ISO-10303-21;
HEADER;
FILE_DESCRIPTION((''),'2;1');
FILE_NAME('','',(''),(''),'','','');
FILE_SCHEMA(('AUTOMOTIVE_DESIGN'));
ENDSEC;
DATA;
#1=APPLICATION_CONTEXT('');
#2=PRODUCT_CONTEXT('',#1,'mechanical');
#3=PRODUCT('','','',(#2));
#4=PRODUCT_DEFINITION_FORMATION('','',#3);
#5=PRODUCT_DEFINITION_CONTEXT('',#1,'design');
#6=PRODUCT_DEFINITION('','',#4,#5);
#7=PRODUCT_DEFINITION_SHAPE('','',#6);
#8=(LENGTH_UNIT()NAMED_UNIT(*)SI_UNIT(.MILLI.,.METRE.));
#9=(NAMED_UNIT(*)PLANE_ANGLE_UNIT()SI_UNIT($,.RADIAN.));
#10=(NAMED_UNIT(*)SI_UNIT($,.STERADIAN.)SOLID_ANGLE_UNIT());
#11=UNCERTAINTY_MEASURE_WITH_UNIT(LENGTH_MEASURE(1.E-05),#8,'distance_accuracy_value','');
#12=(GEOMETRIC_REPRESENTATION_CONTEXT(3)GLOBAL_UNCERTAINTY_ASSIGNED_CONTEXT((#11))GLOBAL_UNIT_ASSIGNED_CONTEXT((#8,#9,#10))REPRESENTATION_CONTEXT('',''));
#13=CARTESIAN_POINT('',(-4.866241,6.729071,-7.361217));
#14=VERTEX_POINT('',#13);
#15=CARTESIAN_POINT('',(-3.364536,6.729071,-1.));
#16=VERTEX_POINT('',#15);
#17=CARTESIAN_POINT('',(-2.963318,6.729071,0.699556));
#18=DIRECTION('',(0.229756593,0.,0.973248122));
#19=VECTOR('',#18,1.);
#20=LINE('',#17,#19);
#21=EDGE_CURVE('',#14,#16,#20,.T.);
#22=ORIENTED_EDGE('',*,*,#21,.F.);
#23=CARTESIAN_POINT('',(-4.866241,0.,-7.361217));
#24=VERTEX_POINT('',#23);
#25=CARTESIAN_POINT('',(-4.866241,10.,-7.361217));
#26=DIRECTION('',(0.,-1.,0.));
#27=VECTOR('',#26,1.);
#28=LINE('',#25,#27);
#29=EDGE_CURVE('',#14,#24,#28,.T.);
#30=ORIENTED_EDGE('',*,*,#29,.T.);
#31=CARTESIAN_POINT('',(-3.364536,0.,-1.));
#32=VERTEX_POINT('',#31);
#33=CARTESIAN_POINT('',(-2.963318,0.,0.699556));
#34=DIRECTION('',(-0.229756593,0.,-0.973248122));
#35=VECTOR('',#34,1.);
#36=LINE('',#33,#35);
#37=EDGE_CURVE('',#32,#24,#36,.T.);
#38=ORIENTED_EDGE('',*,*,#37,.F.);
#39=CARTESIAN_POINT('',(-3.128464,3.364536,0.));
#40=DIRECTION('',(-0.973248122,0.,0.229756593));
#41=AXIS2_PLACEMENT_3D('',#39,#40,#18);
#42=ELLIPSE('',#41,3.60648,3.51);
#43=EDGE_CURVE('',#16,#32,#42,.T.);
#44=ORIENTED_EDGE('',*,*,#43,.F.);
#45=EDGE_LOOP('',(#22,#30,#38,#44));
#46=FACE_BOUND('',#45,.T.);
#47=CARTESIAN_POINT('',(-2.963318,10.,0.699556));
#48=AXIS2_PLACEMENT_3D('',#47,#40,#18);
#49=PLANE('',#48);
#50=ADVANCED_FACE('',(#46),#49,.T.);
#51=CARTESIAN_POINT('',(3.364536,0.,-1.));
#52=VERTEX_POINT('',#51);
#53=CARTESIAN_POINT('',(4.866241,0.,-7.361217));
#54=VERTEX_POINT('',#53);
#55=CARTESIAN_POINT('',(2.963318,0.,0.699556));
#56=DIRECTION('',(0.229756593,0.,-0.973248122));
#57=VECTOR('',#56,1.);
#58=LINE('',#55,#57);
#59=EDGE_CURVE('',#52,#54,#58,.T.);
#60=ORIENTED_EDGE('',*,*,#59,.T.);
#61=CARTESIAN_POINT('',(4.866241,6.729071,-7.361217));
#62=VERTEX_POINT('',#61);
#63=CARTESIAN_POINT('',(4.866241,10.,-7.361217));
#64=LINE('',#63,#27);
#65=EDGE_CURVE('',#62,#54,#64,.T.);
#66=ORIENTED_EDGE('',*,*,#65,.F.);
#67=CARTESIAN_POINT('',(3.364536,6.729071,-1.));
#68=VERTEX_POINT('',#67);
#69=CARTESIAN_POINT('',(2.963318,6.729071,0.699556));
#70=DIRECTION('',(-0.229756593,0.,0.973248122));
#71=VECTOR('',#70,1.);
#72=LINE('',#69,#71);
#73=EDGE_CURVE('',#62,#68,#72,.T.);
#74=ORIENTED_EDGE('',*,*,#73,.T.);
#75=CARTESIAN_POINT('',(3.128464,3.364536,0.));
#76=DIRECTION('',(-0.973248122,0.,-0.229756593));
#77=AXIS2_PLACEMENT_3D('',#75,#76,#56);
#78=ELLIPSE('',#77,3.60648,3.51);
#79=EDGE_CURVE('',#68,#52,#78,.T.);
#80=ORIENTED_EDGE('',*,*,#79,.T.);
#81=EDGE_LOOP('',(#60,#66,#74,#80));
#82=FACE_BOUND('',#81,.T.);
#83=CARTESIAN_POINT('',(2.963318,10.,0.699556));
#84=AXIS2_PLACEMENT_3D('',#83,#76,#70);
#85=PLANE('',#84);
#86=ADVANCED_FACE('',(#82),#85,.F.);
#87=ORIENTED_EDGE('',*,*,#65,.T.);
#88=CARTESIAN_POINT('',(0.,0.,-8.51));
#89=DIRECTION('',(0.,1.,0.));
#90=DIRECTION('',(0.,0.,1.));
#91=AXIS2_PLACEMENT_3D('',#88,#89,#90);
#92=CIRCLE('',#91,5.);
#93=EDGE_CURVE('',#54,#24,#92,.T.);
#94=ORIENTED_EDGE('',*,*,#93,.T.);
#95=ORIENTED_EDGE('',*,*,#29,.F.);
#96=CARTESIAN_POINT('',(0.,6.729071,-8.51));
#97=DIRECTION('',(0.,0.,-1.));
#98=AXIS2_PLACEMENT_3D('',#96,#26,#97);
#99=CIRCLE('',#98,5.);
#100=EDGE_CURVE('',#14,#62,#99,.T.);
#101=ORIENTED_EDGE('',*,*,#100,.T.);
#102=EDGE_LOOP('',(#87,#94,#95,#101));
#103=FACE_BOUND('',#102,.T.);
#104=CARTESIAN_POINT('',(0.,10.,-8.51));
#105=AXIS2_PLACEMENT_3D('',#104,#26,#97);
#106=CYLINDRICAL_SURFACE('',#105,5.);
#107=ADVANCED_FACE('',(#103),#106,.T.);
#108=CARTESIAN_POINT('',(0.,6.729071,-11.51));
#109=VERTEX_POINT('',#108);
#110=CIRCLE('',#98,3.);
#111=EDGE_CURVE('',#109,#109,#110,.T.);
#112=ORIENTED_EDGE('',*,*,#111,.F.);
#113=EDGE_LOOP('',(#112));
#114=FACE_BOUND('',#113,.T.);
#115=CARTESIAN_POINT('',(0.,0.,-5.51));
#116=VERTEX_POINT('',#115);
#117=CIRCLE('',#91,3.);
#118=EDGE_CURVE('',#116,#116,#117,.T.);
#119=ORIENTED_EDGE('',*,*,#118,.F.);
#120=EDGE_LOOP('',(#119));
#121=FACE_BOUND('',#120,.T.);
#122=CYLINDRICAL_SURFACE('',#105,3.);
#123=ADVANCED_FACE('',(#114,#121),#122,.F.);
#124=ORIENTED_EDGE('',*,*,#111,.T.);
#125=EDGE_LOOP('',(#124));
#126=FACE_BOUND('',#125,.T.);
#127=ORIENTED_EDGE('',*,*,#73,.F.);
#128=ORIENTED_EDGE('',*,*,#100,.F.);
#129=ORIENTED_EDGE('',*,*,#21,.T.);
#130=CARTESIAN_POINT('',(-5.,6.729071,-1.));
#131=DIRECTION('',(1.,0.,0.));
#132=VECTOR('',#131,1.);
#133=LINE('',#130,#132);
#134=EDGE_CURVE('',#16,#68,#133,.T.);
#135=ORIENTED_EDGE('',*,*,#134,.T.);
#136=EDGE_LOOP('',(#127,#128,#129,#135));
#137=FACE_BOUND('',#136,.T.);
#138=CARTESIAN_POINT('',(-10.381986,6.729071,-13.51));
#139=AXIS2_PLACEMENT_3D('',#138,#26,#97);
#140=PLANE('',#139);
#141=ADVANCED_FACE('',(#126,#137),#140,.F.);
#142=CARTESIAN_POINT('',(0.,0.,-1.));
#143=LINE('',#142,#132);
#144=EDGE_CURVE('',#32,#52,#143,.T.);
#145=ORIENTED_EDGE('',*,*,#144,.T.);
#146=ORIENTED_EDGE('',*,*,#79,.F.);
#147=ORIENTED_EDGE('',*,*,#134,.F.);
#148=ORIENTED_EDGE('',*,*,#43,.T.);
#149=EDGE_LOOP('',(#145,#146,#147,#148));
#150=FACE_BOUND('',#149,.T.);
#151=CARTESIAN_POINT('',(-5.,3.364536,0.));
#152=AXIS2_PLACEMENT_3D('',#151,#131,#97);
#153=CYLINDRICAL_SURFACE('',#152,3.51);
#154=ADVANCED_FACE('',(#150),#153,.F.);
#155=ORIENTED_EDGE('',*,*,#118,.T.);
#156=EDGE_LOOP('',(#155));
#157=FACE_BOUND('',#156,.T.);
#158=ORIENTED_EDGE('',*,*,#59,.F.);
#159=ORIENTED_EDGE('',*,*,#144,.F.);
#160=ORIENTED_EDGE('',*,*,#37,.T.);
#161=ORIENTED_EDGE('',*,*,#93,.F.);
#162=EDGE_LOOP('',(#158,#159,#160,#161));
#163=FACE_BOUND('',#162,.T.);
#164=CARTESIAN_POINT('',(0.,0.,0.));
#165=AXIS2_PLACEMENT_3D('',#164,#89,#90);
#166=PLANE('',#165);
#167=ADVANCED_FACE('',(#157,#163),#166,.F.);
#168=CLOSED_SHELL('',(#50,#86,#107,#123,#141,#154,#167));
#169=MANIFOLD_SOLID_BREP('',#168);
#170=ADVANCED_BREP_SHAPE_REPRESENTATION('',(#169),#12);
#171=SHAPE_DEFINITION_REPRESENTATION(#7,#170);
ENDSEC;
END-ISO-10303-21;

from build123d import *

# Parameters (mm, degrees)
CROQUIS1_R                 = 3
SALIENTE_EXTRUIR2_DEPTH    = 10
CROQUIS2_R                 = 3.51
CORTAR_EXTRUIR1_DEPTH      = 6
CORTAR_EXTRUIR1_DEPTH_BACK = 6
CORTAR_EXTRUIR2_DEPTH      = 13.51


with BuildPart() as part:
    # Croquis1 → Saliente-Extruir2 (new body)
    with BuildSketch(Plane(origin=(0, 0, 0), x_dir=(1, 0, 0), z_dir=(0, 1, 0))):
        with BuildLine():
            ThreePointArc((4.866240612, 7.361217033), (0, 13.51), (-4.866240612, 7.361217033))
            Line((-4.866240612, 7.361217033), (-3.364535629, 1))
            Line((-3.364535629, 1), (3.364535629, 1))
            Line((3.364535629, 1), (4.866240612, 7.361217033))
        make_face()
        with Locations((0, 8.51)):
            Circle(CROQUIS1_R, mode=Mode.SUBTRACT)
    extrude(amount=SALIENTE_EXTRUIR2_DEPTH)

    # Croquis2 → Cortar-Extruir1 (cut, two sides)
    with BuildSketch(Plane(origin=(0, 0, 0), x_dir=(0, 0, -1), z_dir=(1, 0, 0))) as cortar_extruir1_sk:
        with Locations((0, 3.364535629)):
            Circle(CROQUIS2_R)
    extrude(amount=CORTAR_EXTRUIR1_DEPTH, mode=Mode.SUBTRACT)
    extrude(cortar_extruir1_sk.sketch, amount=-CORTAR_EXTRUIR1_DEPTH_BACK, mode=Mode.SUBTRACT)

    # Croquis4 → Cortar-Extruir2 (cut, through all)
    with BuildSketch(Plane.XY.offset(-1)):
        Polygon((-10.381986268, 6.729071258), (12.651385212, 6.729071258), (6.885028009, 11.685095577), (-4.618478965, 12.095500912), align=None)
    extrude(amount=-CORTAR_EXTRUIR2_DEPTH, mode=Mode.SUBTRACT)


solid = part.part
